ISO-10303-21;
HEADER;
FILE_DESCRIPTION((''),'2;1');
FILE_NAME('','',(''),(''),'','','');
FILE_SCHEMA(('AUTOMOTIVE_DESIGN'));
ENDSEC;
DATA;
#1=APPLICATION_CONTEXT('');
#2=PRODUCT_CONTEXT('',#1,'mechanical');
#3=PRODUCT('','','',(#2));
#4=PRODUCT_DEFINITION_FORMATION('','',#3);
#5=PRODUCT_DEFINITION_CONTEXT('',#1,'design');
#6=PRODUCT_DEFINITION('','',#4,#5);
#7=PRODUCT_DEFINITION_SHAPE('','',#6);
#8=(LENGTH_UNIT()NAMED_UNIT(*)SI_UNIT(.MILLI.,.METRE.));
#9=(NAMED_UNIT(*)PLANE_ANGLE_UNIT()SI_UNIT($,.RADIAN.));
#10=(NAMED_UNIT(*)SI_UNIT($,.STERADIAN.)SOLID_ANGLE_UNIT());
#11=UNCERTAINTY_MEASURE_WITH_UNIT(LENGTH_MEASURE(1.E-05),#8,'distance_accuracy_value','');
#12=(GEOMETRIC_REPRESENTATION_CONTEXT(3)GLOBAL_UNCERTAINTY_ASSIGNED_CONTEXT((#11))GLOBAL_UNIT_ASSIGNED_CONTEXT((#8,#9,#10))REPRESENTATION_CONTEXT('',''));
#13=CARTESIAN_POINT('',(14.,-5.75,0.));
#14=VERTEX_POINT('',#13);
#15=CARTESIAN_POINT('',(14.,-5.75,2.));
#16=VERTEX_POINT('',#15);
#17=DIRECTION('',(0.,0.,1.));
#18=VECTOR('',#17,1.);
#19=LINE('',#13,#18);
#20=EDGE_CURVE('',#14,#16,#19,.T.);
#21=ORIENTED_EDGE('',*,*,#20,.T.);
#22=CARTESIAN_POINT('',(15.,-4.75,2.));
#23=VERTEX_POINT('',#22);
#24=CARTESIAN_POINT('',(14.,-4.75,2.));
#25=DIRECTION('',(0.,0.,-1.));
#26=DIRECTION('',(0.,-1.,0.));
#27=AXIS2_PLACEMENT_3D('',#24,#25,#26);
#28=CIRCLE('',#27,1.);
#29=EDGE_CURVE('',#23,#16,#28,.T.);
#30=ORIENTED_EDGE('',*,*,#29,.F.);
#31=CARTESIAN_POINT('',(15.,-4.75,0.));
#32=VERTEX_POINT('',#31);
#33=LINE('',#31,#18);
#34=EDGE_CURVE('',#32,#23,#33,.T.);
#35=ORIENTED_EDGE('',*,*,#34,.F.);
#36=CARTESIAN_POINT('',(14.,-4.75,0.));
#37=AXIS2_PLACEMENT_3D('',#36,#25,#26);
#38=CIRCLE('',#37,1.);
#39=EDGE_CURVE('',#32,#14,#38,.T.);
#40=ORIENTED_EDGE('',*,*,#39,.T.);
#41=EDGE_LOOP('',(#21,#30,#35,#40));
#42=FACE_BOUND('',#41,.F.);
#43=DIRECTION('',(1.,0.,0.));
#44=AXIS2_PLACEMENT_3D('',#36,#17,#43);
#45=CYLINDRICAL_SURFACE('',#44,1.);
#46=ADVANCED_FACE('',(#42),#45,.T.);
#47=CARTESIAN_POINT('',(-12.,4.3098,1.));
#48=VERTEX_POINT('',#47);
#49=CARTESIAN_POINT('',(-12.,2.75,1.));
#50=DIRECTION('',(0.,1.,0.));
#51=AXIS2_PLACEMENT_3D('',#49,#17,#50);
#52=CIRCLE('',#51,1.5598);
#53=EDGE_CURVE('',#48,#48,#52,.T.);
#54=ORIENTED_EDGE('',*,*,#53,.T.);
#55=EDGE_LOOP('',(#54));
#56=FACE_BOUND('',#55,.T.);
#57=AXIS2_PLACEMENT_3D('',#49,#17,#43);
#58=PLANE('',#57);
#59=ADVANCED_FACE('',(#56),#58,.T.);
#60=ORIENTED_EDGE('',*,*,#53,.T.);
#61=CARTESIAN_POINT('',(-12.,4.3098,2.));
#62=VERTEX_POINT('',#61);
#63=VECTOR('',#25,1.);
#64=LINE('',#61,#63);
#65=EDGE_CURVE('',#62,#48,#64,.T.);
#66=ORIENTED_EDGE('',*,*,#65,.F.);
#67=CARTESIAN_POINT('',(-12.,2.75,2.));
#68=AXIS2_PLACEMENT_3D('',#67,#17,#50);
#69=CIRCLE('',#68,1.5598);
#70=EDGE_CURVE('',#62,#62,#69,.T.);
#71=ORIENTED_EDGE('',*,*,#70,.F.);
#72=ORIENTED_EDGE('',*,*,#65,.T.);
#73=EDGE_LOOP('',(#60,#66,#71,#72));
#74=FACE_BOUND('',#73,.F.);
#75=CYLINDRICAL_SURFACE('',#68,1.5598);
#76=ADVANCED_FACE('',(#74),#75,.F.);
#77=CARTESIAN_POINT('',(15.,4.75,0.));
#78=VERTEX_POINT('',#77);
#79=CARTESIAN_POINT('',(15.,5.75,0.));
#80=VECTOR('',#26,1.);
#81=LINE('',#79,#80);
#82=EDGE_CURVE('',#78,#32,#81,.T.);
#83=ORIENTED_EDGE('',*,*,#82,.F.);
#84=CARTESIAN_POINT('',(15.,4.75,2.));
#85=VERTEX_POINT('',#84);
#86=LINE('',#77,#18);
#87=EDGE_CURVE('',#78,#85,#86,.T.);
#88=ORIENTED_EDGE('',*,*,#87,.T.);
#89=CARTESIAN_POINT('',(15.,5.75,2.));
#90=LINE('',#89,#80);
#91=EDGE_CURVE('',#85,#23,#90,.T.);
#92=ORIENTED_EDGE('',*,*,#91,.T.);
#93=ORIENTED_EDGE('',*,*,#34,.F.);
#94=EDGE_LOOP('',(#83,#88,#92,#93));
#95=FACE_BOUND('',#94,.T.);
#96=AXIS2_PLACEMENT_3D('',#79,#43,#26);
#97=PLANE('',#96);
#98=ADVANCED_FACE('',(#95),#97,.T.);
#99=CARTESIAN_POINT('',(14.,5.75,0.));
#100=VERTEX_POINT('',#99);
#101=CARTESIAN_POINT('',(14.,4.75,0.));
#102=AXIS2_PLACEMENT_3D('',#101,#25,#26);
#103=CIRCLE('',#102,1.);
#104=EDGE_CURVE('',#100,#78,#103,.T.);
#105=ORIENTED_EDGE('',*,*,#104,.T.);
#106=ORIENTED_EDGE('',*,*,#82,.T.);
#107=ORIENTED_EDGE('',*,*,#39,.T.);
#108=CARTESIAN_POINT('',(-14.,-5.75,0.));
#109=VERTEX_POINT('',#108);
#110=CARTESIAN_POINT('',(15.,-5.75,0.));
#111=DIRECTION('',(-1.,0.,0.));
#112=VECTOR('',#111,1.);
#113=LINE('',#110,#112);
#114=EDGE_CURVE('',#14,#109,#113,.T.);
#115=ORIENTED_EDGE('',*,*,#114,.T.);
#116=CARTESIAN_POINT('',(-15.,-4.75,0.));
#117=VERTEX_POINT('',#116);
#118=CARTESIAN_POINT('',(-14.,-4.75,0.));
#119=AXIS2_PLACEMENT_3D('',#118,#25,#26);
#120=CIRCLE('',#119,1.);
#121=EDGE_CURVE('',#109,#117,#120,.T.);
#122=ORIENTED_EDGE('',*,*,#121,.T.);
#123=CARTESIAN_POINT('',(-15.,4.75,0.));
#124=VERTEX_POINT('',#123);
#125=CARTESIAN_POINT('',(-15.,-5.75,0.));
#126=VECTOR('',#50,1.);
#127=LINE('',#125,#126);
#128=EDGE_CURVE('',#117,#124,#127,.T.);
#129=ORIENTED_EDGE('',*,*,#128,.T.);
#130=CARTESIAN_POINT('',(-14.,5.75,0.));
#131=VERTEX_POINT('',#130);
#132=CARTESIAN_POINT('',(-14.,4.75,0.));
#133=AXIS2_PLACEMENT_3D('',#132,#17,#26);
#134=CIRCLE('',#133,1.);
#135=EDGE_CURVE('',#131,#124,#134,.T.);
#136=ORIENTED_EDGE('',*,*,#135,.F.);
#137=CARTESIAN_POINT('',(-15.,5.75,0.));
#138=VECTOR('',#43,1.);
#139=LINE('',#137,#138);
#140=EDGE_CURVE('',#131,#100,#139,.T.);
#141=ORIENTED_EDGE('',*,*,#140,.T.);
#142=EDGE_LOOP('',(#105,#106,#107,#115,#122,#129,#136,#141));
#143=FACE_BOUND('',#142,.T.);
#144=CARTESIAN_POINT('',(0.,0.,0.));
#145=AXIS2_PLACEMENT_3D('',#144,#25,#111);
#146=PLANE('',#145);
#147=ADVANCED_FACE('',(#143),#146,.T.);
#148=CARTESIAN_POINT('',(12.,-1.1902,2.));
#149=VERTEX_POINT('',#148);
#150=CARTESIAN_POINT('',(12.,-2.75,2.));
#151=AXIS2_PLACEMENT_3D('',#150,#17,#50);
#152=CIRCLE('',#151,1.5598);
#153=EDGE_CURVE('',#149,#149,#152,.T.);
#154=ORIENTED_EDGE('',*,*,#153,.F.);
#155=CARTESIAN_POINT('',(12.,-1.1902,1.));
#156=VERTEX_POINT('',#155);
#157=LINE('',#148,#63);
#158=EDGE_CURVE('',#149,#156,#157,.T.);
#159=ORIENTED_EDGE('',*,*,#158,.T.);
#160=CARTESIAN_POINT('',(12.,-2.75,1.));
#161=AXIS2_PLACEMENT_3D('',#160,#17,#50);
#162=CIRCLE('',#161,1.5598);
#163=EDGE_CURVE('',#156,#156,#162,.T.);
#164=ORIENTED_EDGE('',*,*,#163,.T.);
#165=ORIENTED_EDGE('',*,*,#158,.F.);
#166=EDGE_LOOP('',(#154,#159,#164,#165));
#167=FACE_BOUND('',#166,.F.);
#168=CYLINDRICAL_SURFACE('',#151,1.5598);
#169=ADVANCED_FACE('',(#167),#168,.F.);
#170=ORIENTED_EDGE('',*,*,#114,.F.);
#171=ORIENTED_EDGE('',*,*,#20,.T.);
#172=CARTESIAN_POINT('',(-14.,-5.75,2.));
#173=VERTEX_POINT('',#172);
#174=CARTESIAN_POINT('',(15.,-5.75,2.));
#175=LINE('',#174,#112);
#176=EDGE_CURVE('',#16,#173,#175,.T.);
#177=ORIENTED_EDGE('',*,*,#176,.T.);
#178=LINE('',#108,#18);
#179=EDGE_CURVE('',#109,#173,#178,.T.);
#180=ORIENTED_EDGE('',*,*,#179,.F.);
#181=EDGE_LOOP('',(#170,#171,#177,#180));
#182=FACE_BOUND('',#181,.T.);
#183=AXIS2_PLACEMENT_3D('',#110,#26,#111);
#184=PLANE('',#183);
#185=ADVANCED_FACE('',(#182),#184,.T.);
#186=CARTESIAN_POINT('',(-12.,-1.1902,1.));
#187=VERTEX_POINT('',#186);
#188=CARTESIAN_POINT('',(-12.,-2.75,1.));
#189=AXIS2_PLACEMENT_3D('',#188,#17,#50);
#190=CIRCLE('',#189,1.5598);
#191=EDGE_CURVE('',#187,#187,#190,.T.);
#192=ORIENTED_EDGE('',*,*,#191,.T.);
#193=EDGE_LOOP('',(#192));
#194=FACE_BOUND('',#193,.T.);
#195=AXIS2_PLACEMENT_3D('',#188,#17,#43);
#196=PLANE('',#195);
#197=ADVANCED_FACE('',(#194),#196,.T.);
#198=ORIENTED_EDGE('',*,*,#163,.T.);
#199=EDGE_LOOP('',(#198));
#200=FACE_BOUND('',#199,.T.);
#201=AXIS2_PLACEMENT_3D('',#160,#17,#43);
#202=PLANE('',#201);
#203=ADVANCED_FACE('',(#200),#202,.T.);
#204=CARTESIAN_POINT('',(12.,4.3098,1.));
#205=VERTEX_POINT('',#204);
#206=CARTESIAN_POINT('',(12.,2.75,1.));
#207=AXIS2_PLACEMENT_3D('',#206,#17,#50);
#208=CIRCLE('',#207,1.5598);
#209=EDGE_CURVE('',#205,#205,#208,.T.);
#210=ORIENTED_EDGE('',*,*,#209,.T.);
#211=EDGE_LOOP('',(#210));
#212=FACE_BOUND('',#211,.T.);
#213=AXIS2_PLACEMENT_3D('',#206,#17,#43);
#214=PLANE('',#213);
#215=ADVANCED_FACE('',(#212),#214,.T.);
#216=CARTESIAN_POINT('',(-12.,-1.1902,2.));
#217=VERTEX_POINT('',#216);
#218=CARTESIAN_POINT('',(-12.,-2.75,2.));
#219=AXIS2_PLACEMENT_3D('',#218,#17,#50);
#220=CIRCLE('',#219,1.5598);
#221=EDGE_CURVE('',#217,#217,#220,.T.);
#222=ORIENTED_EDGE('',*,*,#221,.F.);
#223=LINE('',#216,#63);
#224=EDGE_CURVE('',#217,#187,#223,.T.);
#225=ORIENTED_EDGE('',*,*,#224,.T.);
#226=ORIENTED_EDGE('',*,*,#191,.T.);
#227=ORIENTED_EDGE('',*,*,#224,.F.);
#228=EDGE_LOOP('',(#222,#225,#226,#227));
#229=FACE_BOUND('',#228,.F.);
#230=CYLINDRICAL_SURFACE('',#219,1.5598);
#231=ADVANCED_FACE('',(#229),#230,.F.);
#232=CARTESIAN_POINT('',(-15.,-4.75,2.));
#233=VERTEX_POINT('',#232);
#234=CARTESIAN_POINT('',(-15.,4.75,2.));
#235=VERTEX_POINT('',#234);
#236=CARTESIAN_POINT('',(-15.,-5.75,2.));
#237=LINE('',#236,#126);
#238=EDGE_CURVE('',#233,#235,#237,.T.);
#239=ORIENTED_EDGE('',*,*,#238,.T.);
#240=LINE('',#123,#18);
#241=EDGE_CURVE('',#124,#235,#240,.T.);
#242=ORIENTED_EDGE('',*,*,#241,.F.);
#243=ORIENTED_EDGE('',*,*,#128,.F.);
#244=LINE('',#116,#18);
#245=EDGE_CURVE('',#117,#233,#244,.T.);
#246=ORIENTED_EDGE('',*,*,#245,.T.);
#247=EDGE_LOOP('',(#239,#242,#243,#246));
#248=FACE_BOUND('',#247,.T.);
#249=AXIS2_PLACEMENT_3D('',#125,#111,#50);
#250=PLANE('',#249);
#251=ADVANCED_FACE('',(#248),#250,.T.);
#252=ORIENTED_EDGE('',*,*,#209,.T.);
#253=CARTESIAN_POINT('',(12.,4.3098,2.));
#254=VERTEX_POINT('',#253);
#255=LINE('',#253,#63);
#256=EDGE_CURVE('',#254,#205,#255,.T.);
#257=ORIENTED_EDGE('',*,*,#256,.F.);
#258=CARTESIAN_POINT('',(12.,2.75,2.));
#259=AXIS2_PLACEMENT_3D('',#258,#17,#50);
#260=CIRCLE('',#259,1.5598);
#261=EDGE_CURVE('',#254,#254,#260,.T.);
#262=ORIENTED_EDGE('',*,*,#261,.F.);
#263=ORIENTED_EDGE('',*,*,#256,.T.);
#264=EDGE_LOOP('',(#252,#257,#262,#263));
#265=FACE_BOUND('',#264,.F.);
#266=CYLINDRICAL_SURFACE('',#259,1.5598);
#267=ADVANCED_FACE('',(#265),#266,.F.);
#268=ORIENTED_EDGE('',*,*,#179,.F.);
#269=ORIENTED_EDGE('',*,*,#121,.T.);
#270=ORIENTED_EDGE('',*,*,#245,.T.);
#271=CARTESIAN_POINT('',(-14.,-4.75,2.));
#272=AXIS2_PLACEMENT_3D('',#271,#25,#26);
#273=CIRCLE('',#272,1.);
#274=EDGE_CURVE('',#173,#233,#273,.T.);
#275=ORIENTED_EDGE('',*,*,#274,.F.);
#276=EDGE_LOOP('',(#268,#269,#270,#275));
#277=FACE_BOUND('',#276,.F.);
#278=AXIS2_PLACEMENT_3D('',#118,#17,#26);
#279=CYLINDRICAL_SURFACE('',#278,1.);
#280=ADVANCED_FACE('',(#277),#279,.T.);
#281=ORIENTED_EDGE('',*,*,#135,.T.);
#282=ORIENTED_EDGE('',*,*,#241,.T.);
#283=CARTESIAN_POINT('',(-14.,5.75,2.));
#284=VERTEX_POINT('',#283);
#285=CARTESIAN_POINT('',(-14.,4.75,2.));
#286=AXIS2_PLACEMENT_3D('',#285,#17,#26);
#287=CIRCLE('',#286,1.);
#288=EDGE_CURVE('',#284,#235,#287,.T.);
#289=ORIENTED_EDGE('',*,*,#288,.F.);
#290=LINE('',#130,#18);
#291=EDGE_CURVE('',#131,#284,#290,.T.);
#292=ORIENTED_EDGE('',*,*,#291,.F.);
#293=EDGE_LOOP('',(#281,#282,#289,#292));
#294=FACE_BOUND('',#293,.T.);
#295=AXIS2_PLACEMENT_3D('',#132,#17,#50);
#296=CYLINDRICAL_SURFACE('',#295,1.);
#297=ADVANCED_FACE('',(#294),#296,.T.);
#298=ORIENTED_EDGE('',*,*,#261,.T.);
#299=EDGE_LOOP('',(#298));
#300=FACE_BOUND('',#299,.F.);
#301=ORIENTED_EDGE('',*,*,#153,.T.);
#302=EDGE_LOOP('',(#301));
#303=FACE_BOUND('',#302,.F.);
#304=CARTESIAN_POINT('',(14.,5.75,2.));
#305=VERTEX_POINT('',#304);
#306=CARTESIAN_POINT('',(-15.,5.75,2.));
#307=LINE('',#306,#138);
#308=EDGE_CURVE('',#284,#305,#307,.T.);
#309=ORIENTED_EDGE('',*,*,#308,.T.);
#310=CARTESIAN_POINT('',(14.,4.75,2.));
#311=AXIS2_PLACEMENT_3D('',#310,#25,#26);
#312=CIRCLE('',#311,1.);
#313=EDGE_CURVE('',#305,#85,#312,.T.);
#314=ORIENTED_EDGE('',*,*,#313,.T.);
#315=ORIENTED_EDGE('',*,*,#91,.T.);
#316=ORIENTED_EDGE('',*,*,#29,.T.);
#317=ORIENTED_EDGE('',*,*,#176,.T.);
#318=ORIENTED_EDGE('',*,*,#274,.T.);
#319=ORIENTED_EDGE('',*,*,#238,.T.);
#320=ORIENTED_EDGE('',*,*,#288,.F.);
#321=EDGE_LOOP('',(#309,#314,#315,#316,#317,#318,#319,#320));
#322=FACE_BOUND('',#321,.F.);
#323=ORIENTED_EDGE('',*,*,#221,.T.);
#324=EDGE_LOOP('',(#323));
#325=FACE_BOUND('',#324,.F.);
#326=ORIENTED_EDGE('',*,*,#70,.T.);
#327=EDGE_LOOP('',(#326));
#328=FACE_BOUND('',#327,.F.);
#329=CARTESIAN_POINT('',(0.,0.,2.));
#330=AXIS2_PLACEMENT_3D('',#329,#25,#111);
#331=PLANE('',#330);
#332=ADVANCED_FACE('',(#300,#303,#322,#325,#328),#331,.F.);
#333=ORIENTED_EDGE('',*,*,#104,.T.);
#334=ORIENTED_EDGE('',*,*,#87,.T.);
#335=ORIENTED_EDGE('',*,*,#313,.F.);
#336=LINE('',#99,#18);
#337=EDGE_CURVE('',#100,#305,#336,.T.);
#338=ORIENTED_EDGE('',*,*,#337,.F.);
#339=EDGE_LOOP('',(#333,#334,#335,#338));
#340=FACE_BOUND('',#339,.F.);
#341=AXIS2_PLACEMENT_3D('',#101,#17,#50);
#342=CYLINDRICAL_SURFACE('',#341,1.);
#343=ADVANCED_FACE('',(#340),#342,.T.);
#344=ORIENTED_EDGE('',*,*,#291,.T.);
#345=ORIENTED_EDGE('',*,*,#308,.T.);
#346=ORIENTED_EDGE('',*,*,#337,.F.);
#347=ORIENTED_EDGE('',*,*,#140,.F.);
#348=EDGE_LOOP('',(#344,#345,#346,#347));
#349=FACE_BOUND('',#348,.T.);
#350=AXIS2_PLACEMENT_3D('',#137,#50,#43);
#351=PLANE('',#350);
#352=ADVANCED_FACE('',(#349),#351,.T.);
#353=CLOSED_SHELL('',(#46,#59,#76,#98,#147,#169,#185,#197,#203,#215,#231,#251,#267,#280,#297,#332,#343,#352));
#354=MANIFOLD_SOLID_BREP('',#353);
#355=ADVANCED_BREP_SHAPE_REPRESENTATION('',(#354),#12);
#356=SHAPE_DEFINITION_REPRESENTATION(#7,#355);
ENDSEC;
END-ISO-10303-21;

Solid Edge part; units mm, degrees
sketch "Sketch1" plane through (0, 0, 0) normal (0, 0, 1) x (1, 0, 0)
  line L0 (-15, 5.75) -> (15, 5.75)
  line L1 (15, 5.75) -> (15, -5.75)
  line L2 (15, -5.75) -> (-15, -5.75)
  line L3 (-15, -5.75) -> (-15, 5.75)
  dimension "D1" = 30
  dimension "D2" = 11.5
extrude "Protrusion1" add sketch "Sketch1" along normal blind 2
fillet "Avrundningar_1" radius 1 4 edges at (-15, -5.75, 1) (15, -5.75, 1) (15, 5.75, 1) (-15, 5.75, 1)
sketch "Sketch2" plane through (0, 0, 2) normal (0, 0, 1) x (0, 1, 0)
  circle A0 centre (-2.75, 12) radius 1.5598
  circle A1 centre (2.75, 12) radius 1.5598
  circle A2 centre (-2.75, -12) radius 1.5598
  circle A3 centre (2.75, -12) radius 1.5598
  dimension "D1" = 3
  dimension "D2" = 3
  dimension "D3" = 3
  dimension "D4" = 3
  dimension "D5" = 3.1196
  dimension "D6" = 3.1196
  dimension "D7" = 3.1196
  dimension "D8" = 3.1196
extrude "Försänkningar_för_fjäder" cut sketch "Sketch2" against normal blind 1
